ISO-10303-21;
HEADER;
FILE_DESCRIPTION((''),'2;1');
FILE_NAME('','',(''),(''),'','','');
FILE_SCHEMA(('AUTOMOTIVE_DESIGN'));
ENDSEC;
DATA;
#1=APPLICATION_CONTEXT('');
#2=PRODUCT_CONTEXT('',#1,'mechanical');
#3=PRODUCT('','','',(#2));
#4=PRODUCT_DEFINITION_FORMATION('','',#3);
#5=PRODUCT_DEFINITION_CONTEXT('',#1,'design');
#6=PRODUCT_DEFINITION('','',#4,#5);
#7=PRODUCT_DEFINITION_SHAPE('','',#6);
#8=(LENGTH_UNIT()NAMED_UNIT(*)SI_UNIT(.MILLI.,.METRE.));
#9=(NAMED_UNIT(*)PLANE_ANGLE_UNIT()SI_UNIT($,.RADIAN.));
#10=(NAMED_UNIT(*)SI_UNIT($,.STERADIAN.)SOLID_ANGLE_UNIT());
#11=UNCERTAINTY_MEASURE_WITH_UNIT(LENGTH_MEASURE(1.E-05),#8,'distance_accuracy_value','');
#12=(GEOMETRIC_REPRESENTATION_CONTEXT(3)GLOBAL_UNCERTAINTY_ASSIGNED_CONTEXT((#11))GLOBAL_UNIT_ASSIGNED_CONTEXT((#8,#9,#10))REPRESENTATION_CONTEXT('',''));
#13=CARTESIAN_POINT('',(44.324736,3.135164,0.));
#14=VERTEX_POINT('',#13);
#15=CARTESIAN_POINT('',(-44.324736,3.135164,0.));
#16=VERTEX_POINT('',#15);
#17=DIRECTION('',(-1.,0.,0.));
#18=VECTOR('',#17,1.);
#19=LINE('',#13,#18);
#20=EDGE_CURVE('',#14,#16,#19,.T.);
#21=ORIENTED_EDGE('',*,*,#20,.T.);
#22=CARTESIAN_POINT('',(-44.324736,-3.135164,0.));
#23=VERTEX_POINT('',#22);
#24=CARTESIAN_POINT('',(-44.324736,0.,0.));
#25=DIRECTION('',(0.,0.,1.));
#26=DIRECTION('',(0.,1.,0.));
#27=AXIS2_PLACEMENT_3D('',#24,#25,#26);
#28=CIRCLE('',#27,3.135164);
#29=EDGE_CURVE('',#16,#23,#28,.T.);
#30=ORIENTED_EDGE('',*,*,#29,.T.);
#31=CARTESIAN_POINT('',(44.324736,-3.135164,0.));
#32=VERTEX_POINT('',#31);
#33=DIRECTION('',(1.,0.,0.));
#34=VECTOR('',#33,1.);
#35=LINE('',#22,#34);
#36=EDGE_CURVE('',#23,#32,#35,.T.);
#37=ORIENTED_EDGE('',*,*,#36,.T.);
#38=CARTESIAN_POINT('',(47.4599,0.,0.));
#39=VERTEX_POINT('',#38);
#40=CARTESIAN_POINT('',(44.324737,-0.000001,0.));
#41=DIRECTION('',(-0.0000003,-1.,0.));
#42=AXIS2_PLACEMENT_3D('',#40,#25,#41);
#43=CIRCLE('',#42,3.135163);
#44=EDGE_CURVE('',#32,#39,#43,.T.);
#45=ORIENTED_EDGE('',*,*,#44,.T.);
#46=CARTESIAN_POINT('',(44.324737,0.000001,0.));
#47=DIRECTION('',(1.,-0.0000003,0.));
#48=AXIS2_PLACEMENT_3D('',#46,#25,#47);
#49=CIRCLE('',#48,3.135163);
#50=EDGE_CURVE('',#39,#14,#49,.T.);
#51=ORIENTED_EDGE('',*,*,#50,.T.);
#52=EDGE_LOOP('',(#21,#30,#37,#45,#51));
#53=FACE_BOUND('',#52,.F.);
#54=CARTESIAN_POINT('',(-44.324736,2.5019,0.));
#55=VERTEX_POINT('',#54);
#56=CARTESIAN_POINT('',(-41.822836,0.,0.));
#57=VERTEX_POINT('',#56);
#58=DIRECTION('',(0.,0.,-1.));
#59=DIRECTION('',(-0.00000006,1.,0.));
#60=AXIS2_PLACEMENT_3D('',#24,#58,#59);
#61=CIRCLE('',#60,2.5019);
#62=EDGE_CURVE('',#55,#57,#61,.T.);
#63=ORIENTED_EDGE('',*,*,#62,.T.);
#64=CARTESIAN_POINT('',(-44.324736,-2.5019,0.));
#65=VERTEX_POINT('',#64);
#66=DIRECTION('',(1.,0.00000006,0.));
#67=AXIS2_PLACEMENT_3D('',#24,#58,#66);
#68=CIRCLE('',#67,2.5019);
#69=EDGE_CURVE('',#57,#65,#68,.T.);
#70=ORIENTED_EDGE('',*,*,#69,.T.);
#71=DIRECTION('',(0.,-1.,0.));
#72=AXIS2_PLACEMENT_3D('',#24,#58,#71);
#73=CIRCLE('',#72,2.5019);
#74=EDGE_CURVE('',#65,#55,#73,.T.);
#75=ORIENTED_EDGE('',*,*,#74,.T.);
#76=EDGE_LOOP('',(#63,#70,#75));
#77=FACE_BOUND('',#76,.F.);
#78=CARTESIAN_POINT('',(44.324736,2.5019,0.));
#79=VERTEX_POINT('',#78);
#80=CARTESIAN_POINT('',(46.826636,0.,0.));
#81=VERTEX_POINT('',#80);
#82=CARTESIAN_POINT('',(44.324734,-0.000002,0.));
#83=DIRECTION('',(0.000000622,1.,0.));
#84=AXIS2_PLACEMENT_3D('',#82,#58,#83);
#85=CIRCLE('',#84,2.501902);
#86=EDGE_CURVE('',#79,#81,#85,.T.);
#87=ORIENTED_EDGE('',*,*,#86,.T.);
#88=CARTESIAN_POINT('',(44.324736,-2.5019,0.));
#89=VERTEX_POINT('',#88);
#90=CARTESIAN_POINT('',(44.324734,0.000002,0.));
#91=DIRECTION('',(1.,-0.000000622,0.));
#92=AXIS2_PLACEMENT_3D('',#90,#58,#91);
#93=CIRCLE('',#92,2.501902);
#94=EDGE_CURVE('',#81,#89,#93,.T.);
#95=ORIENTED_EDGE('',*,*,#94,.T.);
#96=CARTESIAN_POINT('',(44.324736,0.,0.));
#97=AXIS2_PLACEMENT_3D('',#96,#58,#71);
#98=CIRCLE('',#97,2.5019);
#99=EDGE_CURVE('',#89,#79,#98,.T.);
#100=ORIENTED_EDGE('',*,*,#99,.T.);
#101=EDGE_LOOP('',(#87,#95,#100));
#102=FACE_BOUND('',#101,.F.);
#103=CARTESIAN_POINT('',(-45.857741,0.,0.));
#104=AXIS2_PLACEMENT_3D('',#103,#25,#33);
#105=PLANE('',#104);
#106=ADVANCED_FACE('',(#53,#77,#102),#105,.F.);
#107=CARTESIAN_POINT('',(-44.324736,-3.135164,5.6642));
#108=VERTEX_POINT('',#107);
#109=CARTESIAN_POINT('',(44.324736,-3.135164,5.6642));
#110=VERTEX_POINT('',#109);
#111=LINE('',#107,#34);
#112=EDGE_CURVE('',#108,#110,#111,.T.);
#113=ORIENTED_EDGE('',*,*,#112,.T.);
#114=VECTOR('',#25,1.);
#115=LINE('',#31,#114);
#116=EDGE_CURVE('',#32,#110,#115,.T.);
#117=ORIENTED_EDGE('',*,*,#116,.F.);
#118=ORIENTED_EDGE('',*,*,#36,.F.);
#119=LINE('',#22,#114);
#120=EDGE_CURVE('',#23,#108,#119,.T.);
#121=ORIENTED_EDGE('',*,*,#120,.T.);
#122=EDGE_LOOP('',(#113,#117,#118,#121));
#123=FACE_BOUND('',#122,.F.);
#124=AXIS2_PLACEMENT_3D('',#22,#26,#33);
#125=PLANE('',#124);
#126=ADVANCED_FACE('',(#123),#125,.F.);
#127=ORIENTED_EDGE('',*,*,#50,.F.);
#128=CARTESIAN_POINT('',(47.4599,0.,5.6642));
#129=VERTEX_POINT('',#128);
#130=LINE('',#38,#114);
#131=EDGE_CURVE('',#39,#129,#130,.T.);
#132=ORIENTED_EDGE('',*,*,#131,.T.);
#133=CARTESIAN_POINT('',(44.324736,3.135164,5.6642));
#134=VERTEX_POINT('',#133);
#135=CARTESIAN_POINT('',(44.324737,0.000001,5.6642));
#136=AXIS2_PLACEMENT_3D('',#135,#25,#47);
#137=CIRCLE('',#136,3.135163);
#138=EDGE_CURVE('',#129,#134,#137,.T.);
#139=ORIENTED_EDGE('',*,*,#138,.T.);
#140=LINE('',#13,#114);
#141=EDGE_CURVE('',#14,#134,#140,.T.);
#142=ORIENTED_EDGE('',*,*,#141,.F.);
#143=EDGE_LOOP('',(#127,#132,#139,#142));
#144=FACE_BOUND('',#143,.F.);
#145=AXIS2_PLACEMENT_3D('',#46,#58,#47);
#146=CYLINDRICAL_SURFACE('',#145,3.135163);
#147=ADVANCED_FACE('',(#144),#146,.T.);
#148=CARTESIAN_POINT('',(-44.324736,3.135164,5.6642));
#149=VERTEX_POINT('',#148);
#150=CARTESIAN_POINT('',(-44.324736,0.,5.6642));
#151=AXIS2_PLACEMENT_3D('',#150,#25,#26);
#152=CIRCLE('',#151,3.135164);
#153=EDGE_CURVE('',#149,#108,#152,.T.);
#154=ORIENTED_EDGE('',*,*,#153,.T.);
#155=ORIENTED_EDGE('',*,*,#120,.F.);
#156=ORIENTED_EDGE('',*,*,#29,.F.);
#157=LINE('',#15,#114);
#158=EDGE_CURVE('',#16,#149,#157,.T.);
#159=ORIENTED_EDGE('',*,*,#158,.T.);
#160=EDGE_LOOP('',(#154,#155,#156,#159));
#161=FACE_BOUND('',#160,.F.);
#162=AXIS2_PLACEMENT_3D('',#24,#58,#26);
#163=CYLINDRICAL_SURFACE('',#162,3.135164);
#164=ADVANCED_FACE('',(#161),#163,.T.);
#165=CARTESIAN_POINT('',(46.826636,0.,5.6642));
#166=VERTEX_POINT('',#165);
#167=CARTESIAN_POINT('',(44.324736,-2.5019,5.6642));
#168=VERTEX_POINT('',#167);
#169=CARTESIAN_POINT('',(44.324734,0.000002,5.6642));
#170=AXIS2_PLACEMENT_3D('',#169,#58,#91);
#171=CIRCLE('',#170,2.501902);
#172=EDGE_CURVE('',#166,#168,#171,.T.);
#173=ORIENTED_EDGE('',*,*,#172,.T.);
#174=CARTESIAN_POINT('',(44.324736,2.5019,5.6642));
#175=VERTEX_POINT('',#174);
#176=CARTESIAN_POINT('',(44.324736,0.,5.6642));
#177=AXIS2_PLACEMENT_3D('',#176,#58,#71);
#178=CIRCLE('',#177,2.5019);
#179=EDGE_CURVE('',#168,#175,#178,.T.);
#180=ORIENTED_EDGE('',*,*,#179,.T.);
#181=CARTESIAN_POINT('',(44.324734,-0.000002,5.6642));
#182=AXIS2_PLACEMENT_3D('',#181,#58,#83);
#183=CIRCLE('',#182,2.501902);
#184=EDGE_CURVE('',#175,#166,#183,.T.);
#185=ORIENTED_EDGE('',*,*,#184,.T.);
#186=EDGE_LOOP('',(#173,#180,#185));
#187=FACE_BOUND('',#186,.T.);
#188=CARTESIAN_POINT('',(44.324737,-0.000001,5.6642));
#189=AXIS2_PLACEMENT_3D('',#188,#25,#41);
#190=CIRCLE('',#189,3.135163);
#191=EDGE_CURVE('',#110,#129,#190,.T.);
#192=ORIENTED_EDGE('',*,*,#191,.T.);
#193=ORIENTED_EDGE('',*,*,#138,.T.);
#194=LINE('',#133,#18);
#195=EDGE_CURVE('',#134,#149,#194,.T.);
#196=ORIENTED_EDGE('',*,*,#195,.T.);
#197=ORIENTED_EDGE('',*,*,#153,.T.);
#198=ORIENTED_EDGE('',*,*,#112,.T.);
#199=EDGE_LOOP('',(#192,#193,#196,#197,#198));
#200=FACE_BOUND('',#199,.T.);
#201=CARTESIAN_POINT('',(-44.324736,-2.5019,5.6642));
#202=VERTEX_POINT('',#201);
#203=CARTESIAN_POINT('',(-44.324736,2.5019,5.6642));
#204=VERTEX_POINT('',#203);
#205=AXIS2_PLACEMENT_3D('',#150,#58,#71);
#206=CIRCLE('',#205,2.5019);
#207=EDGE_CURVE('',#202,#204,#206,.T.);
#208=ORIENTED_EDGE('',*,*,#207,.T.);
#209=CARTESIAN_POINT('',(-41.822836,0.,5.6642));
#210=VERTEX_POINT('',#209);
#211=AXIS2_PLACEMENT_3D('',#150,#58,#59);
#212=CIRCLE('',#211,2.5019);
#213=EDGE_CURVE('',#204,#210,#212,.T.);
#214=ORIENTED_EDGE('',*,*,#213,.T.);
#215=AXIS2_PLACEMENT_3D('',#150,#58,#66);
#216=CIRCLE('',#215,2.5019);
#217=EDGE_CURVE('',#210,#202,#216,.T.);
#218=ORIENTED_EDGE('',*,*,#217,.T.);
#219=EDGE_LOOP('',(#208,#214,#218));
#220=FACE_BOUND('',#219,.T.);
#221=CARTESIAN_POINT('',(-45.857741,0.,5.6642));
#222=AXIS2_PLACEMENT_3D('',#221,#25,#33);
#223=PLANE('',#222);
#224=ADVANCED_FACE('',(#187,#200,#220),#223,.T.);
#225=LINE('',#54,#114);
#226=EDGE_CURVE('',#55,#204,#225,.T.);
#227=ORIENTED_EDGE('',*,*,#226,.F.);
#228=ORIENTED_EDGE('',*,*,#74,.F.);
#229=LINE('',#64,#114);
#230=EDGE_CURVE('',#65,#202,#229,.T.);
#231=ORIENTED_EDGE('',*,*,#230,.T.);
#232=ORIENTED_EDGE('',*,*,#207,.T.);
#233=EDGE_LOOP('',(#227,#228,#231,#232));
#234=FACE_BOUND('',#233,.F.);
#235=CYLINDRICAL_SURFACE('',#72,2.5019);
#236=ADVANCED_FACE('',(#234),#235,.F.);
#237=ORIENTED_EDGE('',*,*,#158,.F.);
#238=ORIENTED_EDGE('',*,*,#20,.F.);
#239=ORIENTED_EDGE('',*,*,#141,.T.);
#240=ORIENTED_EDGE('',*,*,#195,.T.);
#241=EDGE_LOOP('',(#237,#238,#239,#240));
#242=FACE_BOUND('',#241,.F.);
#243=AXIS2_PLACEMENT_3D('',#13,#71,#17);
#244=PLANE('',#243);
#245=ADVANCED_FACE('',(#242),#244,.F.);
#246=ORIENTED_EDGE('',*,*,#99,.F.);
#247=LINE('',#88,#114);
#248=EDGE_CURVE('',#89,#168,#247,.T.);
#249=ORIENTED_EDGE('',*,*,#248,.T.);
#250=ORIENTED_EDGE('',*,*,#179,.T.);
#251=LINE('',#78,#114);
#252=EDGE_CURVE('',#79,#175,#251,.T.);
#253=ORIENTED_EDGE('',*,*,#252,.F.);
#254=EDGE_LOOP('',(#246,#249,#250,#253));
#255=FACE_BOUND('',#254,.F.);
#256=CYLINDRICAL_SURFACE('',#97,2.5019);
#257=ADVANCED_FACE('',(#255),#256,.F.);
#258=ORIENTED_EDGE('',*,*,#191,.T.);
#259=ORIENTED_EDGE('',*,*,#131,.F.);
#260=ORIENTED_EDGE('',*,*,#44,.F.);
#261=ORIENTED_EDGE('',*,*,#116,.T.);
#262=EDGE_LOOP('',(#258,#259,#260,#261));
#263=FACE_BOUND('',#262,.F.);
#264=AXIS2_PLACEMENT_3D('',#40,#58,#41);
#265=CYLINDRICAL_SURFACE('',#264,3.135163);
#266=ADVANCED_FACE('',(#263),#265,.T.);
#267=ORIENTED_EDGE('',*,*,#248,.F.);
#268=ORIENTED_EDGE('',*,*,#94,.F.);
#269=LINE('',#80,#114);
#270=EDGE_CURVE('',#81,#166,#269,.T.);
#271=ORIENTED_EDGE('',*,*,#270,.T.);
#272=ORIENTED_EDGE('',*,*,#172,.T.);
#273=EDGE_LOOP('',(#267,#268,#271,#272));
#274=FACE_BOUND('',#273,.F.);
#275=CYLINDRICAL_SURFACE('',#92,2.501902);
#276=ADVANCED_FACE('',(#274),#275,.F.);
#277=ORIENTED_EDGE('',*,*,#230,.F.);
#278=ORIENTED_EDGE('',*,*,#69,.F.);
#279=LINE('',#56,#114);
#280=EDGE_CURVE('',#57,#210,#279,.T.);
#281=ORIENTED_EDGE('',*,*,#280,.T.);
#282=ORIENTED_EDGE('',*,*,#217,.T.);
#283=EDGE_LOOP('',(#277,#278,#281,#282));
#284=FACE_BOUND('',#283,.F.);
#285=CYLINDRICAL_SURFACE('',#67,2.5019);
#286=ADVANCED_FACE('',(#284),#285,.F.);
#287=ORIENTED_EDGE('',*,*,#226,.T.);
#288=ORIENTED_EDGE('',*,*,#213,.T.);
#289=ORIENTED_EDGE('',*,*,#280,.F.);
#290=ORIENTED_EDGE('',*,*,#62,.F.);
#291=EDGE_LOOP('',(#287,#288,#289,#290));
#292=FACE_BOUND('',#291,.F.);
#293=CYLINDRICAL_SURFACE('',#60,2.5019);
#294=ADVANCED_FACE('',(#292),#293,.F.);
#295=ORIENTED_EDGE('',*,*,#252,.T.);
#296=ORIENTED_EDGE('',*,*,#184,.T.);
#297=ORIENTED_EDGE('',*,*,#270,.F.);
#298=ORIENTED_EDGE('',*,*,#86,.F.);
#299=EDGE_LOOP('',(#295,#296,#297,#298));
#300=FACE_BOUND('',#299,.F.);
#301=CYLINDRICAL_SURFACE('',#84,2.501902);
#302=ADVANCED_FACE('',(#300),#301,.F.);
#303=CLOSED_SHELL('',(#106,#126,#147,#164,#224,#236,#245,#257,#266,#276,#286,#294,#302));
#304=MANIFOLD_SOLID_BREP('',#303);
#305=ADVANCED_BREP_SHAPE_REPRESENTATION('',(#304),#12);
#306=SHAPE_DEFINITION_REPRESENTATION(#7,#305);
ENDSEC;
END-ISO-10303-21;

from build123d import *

# Parameters (mm, degrees)
F1_DEPTH = 5.6642


with BuildPart() as f1:
    # F0 (on Top) → F1 (new body)
    with BuildSketch(Plane.XY):
        with BuildLine():
            Line((-44.324736, 2.5019), (-44.324736, 3.135164))
            ThreePointArc((-44.324736, 3.135164), (-47.4599, 0), (-44.324736, -3.135164))
            Line((-44.324736, -3.135164), (-44.324736, -2.5019))
            ThreePointArc((-44.324736, -2.5019), (-46.826636, 0), (-44.324736, 2.5019))
        make_face()
        with BuildLine():
            ThreePointArc((-41.189572, 0), (-42.10784, 2.216896), (-44.324736, 3.135164))
            Line((-44.324736, 3.135164), (-44.324736, 2.5019))
            ThreePointArc((-44.324736, 2.5019), (-42.555625, 1.76911), (-41.822836, 0))
            ThreePointArc((-41.822836, 0), (-42.555625, -1.76911), (-44.324736, -2.5019))
            Line((-44.324736, -2.5019), (-44.324736, -3.135164))
            ThreePointArc((-44.324736, -3.135164), (-42.10784, -2.216896), (-41.189572, 0))
        make_face()
        with BuildLine():
            Line((44.324736, 3.135164), (-44.324736, 3.135164))
            ThreePointArc((-44.324736, 3.135164), (-42.10784, 2.216896), (-41.189572, 0))
            ThreePointArc((-41.189572, 0), (-42.10784, -2.216896), (-44.324736, -3.135164))
            Line((-44.324736, -3.135164), (44.324736, -3.135164))
            ThreePointArc((44.324736, -3.135164), (41.189572, 0), (44.324736, 3.135164))
        make_face()
        with BuildLine():
            ThreePointArc((47.4599, 0), (46.541632, 2.216896), (44.324736, 3.135164))
            Line((44.324736, 3.135164), (44.324736, 2.5019))
            ThreePointArc((44.324736, 2.5019), (46.093846, 1.76911), (46.826636, 0))
            ThreePointArc((46.826636, 0), (46.093846, -1.76911), (44.324736, -2.5019))
            Line((44.324736, -2.5019), (44.324736, -3.135164))
            ThreePointArc((44.324736, -3.135164), (46.541632, -2.216896), (47.4599, 0))
        make_face()
        with BuildLine():
            Line((44.324736, 2.5019), (44.324736, 3.135164))
            ThreePointArc((44.324736, 3.135164), (41.189572, 0), (44.324736, -3.135164))
            Line((44.324736, -3.135164), (44.324736, -2.5019))
            ThreePointArc((44.324736, -2.5019), (41.822836, 0), (44.324736, 2.5019))
        make_face()
    extrude(amount=F1_DEPTH)


solid = f1.part
